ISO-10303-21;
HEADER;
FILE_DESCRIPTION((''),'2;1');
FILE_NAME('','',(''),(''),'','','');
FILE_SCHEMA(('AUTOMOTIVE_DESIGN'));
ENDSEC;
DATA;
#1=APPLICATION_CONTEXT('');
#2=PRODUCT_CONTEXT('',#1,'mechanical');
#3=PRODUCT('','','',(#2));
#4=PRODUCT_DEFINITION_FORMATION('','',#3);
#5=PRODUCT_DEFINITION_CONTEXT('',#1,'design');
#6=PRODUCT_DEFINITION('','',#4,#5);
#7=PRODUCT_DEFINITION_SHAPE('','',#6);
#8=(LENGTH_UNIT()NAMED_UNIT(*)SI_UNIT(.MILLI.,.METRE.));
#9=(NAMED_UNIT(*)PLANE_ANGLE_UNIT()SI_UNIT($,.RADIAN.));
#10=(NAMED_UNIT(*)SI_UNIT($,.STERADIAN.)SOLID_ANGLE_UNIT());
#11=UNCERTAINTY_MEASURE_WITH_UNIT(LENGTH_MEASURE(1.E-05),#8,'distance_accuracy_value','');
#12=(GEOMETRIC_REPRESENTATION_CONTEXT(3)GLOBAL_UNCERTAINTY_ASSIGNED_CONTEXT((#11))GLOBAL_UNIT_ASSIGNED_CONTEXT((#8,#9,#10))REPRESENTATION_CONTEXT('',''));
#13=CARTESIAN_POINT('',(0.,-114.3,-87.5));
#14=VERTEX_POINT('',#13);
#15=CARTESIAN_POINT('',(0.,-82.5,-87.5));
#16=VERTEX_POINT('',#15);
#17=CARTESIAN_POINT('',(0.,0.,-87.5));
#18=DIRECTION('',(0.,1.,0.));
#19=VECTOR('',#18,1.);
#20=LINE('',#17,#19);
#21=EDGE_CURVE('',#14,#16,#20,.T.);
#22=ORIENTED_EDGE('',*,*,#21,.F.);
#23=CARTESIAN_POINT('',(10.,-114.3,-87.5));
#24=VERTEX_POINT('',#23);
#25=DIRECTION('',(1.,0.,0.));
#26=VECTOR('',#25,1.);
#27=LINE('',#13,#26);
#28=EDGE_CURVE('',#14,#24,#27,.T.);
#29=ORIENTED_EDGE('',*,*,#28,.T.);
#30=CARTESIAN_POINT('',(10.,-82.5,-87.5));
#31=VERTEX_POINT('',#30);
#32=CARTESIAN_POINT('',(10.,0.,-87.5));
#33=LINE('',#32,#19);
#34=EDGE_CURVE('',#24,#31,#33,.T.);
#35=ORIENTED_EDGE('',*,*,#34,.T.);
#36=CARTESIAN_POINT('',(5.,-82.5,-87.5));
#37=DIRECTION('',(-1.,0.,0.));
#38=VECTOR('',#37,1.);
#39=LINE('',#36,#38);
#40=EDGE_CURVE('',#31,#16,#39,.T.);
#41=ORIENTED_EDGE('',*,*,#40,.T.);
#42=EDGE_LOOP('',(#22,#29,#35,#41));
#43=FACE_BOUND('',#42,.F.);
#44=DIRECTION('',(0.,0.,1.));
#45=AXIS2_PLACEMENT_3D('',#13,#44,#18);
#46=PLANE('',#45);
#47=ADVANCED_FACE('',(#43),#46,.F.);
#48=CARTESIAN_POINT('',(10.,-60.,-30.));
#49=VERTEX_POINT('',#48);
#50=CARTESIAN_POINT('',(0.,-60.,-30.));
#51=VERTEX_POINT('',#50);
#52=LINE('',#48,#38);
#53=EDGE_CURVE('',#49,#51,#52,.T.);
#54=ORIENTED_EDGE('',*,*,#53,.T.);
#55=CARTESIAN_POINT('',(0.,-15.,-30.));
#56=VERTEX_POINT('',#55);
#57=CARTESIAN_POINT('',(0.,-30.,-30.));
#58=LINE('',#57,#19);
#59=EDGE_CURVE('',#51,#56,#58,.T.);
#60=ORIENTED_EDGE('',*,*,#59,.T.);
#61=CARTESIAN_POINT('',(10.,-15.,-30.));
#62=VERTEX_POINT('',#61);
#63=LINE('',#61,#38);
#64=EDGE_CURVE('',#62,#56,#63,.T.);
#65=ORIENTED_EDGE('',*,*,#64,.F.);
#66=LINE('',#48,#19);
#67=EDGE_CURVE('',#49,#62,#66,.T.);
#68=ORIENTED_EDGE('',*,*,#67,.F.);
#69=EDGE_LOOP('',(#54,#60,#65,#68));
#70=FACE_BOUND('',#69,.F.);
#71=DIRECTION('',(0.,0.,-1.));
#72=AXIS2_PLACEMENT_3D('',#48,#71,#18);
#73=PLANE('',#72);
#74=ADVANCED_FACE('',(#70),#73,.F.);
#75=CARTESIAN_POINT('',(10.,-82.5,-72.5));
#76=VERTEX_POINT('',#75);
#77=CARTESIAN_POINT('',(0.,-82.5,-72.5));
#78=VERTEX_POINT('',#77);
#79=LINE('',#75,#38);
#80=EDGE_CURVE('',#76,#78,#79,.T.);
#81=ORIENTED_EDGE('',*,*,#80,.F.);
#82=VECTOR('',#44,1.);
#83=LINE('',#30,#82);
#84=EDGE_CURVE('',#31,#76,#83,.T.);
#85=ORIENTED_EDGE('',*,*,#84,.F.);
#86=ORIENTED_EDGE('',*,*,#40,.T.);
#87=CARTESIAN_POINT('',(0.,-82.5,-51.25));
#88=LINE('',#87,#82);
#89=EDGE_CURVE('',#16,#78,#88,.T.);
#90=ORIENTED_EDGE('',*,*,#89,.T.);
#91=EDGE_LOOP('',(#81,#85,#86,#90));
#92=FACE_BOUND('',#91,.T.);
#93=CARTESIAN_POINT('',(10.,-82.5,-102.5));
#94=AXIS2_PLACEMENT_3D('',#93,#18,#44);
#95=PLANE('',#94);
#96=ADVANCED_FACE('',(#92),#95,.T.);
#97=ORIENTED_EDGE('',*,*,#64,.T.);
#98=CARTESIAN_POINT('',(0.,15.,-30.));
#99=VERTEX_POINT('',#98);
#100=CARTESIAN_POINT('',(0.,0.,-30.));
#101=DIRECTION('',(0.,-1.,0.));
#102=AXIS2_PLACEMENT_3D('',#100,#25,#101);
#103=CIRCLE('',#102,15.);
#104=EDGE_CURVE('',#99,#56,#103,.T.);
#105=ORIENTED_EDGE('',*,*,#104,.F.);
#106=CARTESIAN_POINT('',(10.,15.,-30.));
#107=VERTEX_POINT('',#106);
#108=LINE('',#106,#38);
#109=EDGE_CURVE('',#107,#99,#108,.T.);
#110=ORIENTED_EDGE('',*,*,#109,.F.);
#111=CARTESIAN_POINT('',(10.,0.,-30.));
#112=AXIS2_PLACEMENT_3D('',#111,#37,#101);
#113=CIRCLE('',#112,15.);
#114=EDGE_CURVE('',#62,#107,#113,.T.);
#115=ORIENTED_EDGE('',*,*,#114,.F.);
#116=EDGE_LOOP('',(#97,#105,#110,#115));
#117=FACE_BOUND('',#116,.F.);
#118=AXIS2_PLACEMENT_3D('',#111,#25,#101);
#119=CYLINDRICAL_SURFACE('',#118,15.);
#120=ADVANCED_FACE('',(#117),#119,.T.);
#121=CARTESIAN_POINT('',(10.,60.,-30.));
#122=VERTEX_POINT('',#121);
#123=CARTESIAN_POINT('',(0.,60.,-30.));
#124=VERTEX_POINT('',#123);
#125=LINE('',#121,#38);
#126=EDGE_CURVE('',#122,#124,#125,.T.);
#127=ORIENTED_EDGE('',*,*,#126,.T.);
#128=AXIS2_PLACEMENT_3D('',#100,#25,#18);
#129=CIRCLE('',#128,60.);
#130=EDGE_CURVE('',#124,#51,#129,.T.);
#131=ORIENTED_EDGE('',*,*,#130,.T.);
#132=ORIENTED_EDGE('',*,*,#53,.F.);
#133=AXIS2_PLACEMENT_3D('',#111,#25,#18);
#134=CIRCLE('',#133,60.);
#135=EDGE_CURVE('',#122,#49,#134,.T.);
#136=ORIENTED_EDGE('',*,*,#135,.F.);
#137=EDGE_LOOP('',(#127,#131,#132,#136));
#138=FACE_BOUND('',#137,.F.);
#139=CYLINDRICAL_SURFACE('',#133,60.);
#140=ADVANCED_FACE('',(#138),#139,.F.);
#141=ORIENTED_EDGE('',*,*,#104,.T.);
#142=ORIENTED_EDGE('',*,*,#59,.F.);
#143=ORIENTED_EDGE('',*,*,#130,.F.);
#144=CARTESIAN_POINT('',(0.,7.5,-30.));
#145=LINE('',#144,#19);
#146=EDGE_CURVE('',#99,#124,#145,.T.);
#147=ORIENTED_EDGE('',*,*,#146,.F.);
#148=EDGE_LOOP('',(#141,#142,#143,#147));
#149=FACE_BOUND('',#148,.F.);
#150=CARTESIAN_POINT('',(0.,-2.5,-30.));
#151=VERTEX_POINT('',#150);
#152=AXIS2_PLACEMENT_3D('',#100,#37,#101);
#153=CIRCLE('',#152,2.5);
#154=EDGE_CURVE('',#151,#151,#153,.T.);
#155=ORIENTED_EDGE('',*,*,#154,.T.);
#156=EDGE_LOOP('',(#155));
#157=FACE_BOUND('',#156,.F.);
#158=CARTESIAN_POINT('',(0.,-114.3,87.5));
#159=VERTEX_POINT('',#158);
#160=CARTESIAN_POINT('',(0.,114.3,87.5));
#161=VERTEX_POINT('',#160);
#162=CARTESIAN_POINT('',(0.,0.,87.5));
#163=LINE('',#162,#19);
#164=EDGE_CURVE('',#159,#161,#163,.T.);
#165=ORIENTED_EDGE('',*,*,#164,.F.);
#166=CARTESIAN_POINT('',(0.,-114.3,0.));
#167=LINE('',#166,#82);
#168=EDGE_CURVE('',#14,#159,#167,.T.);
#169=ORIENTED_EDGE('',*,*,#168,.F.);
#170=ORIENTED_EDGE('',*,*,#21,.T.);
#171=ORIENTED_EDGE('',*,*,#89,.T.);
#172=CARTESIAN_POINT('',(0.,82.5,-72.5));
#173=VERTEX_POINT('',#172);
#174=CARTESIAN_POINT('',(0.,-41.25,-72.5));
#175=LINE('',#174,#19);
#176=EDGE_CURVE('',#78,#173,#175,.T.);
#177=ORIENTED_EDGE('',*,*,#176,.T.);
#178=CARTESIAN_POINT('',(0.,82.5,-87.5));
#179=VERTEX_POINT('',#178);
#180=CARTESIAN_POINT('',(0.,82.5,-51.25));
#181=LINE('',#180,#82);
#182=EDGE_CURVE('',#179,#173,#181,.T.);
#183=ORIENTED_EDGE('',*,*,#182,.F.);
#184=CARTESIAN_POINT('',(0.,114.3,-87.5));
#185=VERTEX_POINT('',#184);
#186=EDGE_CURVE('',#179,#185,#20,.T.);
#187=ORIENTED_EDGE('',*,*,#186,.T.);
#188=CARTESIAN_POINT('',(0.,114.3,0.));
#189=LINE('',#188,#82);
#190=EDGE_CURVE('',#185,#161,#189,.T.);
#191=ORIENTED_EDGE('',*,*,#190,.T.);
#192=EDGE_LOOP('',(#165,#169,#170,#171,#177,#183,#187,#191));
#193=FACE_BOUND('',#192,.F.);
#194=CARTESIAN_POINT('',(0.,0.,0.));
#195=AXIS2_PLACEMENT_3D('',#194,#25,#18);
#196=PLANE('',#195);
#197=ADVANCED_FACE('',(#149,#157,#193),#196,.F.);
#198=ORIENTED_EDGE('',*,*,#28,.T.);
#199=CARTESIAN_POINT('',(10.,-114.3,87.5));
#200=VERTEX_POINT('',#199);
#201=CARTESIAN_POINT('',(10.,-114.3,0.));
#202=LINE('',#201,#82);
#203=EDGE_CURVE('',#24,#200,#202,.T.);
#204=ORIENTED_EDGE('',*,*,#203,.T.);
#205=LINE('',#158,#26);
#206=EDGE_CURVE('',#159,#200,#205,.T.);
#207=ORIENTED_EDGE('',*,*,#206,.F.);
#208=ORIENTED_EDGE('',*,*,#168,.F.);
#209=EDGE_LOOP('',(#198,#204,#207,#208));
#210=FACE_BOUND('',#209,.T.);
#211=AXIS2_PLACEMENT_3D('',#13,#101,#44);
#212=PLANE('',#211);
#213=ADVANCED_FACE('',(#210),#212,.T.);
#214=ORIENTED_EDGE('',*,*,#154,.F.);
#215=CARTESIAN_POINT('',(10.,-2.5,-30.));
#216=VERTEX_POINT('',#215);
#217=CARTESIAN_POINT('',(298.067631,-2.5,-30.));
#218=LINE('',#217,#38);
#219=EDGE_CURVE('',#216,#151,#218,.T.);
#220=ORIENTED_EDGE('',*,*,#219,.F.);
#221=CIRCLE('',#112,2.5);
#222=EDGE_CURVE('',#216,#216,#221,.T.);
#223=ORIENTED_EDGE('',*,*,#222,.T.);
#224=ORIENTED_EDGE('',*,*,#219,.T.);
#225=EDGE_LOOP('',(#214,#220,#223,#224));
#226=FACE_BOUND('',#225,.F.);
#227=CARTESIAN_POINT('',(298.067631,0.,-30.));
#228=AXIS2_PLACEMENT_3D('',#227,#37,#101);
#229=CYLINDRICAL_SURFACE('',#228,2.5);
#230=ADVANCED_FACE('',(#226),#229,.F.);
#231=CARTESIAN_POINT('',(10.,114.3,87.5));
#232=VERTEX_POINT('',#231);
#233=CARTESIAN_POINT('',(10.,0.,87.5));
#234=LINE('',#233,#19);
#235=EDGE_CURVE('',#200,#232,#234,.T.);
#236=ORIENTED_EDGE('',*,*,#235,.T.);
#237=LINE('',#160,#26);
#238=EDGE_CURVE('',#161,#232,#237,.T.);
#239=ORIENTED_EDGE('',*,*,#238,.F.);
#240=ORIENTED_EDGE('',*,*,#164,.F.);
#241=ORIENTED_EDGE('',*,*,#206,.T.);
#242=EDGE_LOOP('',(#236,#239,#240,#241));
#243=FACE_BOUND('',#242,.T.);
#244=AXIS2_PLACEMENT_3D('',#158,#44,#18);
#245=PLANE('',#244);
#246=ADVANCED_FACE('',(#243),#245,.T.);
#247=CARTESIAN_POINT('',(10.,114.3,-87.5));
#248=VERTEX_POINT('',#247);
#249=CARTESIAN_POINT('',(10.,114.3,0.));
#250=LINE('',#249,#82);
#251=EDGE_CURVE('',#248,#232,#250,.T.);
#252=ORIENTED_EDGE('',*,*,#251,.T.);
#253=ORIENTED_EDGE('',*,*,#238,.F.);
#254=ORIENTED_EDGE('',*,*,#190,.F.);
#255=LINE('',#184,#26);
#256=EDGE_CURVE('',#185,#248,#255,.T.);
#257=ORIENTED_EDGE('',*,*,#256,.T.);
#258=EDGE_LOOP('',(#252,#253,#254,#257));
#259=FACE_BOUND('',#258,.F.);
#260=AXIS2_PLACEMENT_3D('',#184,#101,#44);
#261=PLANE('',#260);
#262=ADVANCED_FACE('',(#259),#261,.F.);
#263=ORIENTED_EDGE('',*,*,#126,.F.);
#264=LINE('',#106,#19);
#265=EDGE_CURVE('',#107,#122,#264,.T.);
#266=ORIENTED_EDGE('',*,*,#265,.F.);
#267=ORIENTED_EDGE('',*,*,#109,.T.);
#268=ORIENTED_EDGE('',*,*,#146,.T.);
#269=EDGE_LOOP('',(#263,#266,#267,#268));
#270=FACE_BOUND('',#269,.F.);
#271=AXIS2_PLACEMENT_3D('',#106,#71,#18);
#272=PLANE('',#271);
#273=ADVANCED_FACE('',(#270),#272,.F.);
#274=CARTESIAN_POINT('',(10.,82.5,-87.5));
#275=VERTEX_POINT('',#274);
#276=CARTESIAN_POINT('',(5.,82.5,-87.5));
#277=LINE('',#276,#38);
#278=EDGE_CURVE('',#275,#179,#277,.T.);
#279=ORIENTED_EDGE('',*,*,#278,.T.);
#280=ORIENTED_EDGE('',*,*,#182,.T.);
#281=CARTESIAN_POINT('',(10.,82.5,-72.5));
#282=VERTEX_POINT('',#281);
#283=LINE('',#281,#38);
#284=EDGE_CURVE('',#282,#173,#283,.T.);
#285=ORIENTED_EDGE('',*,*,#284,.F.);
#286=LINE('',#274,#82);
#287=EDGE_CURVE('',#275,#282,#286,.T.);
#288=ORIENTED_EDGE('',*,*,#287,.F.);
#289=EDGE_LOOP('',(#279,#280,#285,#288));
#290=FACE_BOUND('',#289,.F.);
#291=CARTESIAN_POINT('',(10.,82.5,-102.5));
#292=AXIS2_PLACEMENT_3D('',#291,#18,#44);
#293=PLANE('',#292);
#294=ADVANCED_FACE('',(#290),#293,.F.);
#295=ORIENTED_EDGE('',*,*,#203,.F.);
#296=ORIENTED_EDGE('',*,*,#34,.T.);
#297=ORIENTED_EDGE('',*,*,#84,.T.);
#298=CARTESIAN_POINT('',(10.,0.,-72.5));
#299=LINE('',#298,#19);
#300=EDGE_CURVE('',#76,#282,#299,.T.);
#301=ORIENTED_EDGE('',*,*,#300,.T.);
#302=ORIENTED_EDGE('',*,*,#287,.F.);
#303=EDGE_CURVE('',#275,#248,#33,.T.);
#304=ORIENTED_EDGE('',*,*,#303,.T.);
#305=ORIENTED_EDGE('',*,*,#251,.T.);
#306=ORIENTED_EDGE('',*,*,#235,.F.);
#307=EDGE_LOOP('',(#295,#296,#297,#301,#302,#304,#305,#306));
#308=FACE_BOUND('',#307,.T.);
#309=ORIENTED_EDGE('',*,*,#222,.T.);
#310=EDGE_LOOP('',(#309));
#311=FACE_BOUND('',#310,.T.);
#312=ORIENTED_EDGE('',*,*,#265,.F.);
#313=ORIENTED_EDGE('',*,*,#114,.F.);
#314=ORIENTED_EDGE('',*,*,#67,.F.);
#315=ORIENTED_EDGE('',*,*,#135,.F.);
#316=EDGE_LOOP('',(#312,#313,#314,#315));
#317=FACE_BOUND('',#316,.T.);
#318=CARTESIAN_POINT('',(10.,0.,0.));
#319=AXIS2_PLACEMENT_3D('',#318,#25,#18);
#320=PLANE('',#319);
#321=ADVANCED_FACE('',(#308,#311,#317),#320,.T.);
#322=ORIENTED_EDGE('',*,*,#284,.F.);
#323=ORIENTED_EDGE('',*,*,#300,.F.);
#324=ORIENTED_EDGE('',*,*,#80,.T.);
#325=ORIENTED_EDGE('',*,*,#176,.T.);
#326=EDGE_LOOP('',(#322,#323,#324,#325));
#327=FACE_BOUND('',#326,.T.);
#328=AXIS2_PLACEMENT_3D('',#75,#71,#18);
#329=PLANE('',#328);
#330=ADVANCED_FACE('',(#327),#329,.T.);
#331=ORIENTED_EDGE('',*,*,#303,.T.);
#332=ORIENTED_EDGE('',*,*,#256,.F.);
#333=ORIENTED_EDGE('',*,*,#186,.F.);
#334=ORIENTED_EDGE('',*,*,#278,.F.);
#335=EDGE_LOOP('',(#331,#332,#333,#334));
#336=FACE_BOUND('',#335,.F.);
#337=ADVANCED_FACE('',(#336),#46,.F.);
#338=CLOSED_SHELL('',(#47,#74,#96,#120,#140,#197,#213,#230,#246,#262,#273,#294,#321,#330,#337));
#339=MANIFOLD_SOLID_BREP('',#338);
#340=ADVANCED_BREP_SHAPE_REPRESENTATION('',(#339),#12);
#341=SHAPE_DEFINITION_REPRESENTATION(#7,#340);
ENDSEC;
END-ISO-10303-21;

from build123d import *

# Parameters (mm, degrees)
F0_W     = 228.6
F0_H     = 175
F1_DEPTH = 10
F7_DEPTH = 25
F3_W     = 165
F3_H     = 30
F4_DEPTH = 25
F9_D     = 5


with BuildPart() as f1:
    # F0 (on Right) → F1 (new body)
    with BuildSketch(Plane.YZ):
        Rectangle(F0_W, F0_H)
    extrude(amount=F1_DEPTH)

    # F2 (on face) → F7 (cut)
    with BuildSketch(Plane.YZ.offset(10)):
        with BuildLine():
            Line((15, -30), (60, -30))
            ThreePointArc((60, -30), (0, 30), (-60, -30))
            Line((-60, -30), (-15, -30))
            ThreePointArc((-15, -30), (0, -15), (15, -30))
        make_face()
    extrude(amount=-F7_DEPTH, mode=Mode.SUBTRACT)

    # F3 (on face) → F4 (cut)
    with BuildSketch(Plane.YZ.offset(10)):
        with Locations((0, -87.5)):
            Rectangle(F3_W, F3_H)
    extrude(amount=-F4_DEPTH, mode=Mode.SUBTRACT)

    # F9 (through all)
    with Locations(Plane.YZ.offset(10)):
        with Locations((0, -30)):
            Hole(F9_D / 2)


solid = f1.part
